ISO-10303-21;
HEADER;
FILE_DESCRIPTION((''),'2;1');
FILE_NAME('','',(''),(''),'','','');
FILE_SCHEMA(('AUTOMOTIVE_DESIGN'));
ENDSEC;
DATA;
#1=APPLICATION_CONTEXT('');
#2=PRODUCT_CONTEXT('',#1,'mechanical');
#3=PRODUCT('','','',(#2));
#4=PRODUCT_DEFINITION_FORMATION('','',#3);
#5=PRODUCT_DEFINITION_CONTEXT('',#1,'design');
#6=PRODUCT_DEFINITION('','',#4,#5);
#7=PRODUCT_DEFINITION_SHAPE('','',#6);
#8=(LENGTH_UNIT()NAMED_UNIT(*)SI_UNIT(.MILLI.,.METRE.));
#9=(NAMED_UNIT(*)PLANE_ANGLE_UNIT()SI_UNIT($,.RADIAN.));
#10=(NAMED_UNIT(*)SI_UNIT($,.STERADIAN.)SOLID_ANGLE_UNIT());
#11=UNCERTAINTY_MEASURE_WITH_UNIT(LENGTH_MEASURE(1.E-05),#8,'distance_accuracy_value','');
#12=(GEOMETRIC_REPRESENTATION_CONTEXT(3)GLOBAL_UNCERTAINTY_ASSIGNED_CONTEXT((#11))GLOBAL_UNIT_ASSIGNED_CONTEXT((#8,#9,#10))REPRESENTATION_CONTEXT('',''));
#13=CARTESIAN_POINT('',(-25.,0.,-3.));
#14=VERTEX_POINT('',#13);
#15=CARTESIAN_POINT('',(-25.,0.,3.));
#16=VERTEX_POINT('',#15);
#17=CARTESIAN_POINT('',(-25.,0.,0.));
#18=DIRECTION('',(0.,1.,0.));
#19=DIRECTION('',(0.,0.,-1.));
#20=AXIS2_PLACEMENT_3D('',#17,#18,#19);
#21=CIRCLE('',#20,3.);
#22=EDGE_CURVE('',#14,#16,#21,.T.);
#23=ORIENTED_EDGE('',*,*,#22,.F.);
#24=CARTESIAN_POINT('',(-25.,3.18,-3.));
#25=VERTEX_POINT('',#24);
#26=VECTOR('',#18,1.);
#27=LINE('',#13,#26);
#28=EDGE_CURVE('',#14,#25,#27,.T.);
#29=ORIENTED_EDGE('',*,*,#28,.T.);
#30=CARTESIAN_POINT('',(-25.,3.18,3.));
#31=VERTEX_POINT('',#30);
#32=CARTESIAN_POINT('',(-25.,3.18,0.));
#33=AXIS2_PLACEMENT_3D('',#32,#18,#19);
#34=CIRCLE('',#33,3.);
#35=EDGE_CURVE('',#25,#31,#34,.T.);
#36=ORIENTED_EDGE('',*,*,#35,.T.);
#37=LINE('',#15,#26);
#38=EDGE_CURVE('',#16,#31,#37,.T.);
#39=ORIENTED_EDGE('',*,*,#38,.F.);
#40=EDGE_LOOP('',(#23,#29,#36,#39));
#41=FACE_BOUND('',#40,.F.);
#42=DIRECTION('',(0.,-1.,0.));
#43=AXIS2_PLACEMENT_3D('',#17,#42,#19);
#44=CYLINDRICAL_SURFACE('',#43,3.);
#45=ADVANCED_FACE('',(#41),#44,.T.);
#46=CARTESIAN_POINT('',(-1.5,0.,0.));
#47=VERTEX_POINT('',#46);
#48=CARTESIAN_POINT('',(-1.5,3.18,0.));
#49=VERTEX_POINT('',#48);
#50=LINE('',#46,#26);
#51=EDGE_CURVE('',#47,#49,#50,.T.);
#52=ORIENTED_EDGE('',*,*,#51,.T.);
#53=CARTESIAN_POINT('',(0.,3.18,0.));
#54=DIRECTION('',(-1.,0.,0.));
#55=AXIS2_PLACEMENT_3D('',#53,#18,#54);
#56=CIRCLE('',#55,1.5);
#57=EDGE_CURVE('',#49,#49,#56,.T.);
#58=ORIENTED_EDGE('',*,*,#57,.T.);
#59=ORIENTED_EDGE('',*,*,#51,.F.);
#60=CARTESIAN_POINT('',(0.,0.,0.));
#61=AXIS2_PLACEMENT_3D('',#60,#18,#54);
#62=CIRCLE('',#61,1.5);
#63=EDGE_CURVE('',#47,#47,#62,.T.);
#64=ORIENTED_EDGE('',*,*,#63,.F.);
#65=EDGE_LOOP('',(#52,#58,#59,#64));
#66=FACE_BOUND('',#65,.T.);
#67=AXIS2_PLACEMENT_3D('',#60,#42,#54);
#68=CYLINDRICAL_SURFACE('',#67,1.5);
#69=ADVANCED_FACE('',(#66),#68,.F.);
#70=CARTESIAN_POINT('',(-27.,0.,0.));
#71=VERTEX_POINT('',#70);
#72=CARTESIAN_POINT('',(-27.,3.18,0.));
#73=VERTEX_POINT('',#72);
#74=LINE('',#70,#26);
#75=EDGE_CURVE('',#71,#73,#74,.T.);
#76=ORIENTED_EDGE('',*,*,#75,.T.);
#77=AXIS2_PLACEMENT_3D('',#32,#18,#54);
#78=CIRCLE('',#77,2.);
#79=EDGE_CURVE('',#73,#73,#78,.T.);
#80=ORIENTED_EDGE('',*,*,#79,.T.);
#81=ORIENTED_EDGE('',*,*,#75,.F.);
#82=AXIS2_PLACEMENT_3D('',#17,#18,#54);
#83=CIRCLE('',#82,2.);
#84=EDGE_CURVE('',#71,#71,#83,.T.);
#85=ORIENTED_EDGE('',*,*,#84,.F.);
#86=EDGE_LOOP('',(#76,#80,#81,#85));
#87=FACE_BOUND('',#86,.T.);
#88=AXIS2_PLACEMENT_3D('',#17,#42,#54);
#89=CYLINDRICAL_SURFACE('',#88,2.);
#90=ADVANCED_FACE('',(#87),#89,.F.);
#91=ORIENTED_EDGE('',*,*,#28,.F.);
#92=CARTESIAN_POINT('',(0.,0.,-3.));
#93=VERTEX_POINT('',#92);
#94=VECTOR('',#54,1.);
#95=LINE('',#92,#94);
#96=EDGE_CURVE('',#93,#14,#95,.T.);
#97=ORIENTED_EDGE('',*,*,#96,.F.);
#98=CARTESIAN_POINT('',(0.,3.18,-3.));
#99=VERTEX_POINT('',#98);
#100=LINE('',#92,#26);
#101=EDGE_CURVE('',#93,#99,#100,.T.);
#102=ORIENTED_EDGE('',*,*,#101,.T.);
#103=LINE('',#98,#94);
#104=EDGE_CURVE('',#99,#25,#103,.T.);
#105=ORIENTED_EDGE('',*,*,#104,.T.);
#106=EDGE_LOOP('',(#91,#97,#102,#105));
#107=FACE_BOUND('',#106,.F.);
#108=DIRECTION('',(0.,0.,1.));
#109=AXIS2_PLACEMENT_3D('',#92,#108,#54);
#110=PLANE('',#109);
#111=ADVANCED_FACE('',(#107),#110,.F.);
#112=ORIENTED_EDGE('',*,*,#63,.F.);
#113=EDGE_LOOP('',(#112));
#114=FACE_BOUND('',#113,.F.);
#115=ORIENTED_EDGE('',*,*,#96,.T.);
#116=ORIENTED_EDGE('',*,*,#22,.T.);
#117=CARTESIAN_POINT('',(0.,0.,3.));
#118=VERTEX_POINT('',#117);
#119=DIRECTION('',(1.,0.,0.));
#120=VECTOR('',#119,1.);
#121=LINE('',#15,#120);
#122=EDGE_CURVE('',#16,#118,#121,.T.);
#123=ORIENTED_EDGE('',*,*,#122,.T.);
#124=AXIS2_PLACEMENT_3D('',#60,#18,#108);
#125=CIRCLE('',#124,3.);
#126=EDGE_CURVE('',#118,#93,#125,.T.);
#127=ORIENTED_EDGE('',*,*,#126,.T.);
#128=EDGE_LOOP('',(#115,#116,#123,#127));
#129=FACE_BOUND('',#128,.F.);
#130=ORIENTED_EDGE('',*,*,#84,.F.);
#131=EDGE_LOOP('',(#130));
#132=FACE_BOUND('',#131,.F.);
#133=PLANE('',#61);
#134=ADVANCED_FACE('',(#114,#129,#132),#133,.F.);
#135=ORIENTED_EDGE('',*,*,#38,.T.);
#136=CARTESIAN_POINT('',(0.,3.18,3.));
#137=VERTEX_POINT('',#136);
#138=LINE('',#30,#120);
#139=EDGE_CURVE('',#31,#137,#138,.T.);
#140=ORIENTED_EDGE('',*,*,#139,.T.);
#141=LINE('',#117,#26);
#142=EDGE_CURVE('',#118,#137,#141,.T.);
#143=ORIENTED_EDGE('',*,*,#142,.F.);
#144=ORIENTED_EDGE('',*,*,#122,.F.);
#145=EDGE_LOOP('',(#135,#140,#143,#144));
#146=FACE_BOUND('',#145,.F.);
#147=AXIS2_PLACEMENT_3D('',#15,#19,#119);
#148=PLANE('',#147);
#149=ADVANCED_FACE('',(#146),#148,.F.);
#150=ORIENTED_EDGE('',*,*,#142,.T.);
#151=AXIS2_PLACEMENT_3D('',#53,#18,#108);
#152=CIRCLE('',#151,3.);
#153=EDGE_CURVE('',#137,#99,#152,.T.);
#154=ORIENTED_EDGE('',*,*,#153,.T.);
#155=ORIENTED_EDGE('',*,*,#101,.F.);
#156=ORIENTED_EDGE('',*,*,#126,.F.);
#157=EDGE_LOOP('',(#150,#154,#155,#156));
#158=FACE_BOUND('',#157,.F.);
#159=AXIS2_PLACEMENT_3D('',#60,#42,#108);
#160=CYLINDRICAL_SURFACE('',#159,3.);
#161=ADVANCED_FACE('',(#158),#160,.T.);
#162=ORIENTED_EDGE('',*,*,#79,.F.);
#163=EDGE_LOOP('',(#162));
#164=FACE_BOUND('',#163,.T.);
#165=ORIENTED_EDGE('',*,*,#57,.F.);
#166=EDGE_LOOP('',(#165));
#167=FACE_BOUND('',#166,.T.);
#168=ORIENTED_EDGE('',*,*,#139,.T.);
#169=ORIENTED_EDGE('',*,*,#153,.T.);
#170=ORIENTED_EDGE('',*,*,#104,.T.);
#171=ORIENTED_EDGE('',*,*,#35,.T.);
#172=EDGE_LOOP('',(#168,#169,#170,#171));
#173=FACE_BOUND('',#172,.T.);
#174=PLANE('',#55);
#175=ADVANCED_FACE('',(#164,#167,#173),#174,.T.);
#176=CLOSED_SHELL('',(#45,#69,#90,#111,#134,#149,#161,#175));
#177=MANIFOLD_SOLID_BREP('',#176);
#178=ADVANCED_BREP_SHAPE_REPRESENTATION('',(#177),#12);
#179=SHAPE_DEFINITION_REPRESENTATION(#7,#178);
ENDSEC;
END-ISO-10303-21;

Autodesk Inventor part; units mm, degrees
ref_plane "YZ Plane" through (0, 0, 0) normal (1, 0, 0) x (0, 1, 0)
ref_plane "XZ Plane" through (0, 0, 0) normal (0, 1, 0) x (-1, 0, 0)
ref_plane "XY Plane" through (0, 0, 0) normal (0, 0, 1) x (1, 0, 0)
sketch "Boceto1" plane through (0, 0, 0) normal (0, 1, 0) x (-1, 0, 0)
  line L0 (0, 0) -> (25, 0) construction
  line L1 (0, -3) -> (25, -3)
  line L2 (25, 3) -> (0, 3)
  arc A0 (0, 3) -> (0, -3) centre (0, 0) ccw
  arc A1 (25, -3) -> (25, 3) centre (25, 0) ccw
  circle A2 centre (25, 0) radius 2
  circle A3 centre (0, 0) radius 1.5
  point P0 (12.5, 0)
  dimension "d0" = 25
  dimension "d1" = 6
  dimension "d2" = 4
  dimension "d3" = 3
extrude "Extrusión1" add sketch "Boceto1" along normal blind 3.18
properties part number "PINZA_ESLABON"
